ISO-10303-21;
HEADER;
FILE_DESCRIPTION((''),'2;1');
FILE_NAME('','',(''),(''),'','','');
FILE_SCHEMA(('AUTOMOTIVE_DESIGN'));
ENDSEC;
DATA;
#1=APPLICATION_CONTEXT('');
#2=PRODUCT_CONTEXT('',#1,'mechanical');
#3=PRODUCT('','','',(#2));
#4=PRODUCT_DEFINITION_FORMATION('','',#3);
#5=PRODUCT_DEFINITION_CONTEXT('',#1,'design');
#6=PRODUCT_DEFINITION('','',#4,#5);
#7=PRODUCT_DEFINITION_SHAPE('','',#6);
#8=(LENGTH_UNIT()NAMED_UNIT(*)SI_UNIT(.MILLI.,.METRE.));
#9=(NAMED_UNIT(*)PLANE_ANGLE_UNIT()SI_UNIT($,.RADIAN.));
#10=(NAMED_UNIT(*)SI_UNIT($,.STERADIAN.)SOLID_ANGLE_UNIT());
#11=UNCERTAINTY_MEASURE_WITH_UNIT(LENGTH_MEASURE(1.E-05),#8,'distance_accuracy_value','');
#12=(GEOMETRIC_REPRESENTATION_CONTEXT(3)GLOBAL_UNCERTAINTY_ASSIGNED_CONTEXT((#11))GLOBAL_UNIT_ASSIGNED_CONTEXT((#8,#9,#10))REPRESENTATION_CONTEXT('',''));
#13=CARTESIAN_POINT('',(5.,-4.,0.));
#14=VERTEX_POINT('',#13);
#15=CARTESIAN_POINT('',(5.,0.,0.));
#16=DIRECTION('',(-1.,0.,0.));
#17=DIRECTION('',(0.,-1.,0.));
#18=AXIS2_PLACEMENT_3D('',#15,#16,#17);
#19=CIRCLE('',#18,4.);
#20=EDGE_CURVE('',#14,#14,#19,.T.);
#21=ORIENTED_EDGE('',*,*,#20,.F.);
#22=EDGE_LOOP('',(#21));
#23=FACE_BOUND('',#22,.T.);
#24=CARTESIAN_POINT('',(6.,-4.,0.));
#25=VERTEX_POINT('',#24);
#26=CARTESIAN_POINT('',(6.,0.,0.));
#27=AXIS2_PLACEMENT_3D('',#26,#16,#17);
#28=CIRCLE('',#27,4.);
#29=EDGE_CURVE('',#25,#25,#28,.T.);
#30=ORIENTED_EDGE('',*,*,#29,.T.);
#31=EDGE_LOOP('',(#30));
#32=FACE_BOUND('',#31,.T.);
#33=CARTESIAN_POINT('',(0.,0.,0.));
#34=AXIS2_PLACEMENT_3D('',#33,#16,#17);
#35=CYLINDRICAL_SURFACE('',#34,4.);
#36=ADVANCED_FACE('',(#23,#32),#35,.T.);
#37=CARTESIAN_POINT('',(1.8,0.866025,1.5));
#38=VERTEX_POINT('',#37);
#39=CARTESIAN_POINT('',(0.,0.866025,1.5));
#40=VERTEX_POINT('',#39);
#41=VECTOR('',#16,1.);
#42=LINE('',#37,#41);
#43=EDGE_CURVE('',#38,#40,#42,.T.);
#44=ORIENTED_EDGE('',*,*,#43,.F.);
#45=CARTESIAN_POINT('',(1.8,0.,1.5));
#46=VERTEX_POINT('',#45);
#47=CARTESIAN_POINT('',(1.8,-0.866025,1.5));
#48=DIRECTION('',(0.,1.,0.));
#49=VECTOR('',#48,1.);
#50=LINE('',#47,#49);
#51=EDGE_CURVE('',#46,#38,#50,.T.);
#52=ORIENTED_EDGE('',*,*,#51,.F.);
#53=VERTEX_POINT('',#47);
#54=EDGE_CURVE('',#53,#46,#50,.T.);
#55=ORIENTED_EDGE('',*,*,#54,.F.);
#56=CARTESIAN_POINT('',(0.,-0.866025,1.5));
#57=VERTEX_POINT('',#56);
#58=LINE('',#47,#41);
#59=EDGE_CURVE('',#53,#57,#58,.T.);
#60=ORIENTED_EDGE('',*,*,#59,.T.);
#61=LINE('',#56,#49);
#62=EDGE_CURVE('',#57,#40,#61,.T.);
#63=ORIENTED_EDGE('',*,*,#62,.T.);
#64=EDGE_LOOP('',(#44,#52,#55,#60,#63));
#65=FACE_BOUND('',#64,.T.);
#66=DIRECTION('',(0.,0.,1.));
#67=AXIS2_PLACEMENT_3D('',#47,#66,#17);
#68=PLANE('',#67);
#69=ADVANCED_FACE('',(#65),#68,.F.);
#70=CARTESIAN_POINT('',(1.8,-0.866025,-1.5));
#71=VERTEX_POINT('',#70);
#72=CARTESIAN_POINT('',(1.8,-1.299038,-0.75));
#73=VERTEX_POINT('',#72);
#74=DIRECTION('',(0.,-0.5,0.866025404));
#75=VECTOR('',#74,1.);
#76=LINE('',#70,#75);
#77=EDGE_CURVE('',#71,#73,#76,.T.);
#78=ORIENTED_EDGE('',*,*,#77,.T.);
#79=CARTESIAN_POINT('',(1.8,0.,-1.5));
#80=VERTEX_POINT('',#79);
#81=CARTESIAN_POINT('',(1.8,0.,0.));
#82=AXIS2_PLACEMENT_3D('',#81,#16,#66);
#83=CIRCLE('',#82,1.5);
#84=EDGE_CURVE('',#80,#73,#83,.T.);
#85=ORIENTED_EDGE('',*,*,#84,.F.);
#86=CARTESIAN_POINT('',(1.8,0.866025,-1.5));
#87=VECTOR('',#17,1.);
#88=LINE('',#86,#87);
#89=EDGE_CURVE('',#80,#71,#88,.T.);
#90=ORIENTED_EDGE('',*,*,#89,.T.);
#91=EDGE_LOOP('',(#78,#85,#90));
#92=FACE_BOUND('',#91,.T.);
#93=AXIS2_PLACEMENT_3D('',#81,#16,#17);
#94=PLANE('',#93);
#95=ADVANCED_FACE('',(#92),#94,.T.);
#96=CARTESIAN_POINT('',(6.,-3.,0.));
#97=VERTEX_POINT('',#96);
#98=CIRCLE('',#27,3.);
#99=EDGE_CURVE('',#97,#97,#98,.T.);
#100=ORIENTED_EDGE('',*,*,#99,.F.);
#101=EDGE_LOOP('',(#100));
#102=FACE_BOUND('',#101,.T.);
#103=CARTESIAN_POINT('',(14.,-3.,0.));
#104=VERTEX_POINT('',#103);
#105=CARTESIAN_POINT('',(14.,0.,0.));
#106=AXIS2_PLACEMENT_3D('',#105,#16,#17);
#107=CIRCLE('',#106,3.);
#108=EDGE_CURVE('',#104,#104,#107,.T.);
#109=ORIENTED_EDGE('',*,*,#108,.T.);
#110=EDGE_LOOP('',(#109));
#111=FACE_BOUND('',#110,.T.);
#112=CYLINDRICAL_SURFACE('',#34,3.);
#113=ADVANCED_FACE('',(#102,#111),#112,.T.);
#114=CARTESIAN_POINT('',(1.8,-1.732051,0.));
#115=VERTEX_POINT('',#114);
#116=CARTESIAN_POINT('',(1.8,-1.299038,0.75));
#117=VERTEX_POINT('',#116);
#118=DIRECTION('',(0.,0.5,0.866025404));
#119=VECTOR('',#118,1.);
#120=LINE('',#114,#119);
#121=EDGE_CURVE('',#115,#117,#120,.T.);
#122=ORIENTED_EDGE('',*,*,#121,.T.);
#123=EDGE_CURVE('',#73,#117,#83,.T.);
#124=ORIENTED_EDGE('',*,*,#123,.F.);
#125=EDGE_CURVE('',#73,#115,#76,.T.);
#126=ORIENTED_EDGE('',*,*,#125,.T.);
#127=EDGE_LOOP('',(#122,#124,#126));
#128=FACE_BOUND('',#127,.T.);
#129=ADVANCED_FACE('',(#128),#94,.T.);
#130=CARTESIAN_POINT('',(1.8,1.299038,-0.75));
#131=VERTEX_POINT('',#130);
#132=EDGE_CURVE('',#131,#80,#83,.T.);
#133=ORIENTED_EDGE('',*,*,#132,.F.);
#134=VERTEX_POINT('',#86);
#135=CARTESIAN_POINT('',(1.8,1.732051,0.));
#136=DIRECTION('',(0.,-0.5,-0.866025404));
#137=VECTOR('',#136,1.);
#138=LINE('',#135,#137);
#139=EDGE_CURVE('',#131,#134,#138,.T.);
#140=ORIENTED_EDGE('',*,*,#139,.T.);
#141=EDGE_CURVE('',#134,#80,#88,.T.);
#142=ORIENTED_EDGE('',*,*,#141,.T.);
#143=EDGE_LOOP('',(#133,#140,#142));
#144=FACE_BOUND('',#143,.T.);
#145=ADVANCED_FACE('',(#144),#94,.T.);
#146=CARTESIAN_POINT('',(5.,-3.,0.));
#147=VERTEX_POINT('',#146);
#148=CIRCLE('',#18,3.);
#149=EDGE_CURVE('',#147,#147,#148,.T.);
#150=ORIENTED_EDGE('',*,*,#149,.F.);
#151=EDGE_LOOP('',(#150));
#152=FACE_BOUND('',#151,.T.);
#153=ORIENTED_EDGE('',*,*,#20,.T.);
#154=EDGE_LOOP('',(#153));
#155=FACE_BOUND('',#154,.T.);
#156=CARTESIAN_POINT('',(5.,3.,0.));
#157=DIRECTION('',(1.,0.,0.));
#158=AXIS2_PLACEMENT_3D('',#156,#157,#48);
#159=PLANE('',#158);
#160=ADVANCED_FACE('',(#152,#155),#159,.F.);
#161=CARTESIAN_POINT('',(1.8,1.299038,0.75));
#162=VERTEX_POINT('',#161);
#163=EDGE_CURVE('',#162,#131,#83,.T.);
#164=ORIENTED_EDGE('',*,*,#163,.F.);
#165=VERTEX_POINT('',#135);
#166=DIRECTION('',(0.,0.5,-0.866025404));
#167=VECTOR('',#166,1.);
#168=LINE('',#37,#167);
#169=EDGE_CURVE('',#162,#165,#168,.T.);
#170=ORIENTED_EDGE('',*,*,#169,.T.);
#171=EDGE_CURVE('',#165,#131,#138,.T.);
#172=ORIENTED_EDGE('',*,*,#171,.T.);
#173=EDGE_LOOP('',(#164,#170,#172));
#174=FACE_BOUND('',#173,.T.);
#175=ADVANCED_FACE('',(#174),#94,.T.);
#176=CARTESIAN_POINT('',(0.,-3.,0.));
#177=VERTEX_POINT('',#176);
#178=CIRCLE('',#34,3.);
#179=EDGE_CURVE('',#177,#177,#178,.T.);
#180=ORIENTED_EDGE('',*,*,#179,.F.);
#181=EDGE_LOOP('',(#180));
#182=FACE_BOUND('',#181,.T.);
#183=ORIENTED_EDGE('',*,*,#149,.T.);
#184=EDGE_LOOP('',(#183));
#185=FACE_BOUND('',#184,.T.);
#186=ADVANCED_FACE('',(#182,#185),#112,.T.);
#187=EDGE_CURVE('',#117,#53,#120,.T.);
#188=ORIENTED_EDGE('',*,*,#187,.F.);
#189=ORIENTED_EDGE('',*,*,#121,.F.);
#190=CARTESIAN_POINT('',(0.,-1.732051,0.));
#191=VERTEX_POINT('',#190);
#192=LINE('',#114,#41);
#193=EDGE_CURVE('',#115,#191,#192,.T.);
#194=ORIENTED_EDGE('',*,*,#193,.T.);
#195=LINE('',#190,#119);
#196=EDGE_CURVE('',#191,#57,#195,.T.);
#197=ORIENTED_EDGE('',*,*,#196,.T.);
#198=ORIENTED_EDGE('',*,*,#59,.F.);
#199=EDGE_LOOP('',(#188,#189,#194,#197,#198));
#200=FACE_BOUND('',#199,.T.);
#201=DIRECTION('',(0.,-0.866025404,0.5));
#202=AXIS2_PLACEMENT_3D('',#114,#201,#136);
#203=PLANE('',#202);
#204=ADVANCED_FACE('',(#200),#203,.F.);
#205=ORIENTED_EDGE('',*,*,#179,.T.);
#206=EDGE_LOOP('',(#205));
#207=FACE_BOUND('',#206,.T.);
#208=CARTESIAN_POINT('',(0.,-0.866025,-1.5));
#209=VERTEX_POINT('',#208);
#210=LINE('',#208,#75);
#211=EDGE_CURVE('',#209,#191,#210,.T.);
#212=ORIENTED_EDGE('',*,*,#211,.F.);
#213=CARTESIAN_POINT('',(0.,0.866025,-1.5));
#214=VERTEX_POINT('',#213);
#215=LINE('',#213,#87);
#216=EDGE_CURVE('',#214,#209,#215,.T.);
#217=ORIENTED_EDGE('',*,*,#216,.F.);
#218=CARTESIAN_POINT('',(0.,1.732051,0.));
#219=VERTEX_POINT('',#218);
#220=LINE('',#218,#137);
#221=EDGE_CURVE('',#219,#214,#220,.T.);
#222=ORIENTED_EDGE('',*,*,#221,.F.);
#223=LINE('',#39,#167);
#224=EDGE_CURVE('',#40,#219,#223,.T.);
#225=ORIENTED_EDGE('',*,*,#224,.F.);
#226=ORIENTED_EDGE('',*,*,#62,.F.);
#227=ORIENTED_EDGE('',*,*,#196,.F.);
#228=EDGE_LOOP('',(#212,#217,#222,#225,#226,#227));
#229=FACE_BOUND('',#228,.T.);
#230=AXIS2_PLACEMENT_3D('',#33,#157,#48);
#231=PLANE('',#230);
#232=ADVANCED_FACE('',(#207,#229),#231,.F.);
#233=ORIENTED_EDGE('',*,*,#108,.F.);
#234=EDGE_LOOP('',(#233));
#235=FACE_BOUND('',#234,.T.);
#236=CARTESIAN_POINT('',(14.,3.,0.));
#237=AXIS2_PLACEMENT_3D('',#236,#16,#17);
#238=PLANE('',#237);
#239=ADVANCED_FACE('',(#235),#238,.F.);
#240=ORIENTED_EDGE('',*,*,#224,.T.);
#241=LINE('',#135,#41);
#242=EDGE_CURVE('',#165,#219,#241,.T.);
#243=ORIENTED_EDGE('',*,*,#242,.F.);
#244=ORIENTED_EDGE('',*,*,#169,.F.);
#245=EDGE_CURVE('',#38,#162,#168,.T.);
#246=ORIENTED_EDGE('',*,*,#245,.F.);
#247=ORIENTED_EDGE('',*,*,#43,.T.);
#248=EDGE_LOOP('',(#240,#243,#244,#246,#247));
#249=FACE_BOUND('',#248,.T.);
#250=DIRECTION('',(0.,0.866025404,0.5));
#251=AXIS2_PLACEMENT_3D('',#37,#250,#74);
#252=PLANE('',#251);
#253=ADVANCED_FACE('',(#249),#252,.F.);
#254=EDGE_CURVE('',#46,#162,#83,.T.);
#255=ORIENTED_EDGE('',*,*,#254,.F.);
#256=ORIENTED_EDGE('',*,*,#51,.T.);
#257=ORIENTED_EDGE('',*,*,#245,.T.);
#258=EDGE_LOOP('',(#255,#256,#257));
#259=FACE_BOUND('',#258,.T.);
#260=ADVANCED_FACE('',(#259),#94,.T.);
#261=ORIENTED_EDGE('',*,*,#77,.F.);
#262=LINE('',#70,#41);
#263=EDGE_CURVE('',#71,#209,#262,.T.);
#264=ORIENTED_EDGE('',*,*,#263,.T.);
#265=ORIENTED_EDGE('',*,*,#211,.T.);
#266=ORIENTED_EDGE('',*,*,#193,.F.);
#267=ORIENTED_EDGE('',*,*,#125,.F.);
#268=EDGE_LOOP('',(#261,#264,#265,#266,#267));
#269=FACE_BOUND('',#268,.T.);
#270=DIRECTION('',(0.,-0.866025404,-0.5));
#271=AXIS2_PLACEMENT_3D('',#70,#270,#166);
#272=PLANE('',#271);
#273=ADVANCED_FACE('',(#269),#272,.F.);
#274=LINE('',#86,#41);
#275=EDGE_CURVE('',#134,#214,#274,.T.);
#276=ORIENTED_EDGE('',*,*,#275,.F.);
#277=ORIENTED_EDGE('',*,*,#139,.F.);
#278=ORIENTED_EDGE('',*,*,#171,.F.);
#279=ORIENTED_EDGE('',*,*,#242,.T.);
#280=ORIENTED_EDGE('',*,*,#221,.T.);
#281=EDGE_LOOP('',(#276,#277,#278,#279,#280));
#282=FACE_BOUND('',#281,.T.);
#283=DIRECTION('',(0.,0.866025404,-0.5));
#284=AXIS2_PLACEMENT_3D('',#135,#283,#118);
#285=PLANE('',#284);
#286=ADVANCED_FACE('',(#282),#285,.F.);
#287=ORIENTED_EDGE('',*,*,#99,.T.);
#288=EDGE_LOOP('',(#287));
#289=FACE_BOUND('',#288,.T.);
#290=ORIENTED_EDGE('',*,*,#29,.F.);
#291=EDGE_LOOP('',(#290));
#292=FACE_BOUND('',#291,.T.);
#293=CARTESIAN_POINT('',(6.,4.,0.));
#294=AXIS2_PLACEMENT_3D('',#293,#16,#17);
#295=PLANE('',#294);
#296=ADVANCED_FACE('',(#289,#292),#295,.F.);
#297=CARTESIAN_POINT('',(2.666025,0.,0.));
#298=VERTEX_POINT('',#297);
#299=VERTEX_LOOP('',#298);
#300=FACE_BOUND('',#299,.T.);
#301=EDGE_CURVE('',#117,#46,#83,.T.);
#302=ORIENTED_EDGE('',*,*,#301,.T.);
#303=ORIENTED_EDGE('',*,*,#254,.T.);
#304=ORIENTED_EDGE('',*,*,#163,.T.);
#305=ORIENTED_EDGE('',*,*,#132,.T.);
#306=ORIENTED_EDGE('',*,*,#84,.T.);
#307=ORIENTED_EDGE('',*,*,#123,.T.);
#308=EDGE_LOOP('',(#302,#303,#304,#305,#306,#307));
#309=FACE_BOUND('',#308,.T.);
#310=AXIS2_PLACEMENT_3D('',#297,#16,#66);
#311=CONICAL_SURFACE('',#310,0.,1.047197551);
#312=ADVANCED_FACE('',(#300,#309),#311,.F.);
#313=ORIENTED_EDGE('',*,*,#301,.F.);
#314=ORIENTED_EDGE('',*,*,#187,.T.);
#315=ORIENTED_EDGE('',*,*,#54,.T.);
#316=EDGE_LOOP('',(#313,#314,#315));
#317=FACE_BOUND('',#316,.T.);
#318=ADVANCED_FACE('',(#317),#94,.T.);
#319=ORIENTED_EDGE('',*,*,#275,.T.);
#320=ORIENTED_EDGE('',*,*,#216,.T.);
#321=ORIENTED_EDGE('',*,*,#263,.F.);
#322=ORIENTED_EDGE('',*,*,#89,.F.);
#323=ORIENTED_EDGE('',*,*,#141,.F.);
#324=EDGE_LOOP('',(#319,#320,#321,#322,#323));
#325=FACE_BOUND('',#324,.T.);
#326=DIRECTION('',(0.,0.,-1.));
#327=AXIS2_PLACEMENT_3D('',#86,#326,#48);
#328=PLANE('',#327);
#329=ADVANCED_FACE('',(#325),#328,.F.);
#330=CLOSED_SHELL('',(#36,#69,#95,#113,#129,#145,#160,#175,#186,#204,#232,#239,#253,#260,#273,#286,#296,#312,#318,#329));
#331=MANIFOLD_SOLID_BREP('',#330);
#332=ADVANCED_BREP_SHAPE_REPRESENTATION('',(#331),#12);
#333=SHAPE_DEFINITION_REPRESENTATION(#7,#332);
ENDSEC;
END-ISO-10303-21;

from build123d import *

# Parameters (mm, degrees)
CUT_EXTRUDE1_DEPTH = 1.8


with BuildPart() as part:
    # Sketch1 → Revolve1 (revolve)
    with BuildSketch(Plane.XY, mode=Mode.PRIVATE) as revolve1_sk:
        Polygon((0, 0), (0, 3), (5, 3), (5, 4), (6, 4), (6, 3), (14, 3), (14, 0), align=None)
    revolve(revolve1_sk.sketch.rotate(Axis((0, 0, 0), (1, 0, 0)), 180), axis=Axis((0, 0, 0), (1, 0, 0)))

    # Sketch2 → Cut-Revolve1 (revolve, cut)
    with BuildSketch(Plane.XY, mode=Mode.PRIVATE) as cut_revolve1_sk:
        Polygon((0, 0), (0, 1.5), (1.8, 1.5), (2.666025404, 0), align=None)
    revolve(cut_revolve1_sk.sketch.rotate(Axis((0, 0, 0), (1, 0, 0)), 90), axis=Axis((0, 0, 0), (1, 0, 0)), mode=Mode.SUBTRACT)

    # Sketch3 → Cut-Extrude1 (cut)
    with BuildSketch(Plane.ZY):
        Polygon((0, 1.732050808), (-1.5, 0.866025404), (-1.5, -0.866025404), (0, -1.732050808), (1.5, -0.866025404), (1.5, 0.866025404), align=None)
    extrude(amount=-CUT_EXTRUDE1_DEPTH, mode=Mode.SUBTRACT)


solid = part.part
